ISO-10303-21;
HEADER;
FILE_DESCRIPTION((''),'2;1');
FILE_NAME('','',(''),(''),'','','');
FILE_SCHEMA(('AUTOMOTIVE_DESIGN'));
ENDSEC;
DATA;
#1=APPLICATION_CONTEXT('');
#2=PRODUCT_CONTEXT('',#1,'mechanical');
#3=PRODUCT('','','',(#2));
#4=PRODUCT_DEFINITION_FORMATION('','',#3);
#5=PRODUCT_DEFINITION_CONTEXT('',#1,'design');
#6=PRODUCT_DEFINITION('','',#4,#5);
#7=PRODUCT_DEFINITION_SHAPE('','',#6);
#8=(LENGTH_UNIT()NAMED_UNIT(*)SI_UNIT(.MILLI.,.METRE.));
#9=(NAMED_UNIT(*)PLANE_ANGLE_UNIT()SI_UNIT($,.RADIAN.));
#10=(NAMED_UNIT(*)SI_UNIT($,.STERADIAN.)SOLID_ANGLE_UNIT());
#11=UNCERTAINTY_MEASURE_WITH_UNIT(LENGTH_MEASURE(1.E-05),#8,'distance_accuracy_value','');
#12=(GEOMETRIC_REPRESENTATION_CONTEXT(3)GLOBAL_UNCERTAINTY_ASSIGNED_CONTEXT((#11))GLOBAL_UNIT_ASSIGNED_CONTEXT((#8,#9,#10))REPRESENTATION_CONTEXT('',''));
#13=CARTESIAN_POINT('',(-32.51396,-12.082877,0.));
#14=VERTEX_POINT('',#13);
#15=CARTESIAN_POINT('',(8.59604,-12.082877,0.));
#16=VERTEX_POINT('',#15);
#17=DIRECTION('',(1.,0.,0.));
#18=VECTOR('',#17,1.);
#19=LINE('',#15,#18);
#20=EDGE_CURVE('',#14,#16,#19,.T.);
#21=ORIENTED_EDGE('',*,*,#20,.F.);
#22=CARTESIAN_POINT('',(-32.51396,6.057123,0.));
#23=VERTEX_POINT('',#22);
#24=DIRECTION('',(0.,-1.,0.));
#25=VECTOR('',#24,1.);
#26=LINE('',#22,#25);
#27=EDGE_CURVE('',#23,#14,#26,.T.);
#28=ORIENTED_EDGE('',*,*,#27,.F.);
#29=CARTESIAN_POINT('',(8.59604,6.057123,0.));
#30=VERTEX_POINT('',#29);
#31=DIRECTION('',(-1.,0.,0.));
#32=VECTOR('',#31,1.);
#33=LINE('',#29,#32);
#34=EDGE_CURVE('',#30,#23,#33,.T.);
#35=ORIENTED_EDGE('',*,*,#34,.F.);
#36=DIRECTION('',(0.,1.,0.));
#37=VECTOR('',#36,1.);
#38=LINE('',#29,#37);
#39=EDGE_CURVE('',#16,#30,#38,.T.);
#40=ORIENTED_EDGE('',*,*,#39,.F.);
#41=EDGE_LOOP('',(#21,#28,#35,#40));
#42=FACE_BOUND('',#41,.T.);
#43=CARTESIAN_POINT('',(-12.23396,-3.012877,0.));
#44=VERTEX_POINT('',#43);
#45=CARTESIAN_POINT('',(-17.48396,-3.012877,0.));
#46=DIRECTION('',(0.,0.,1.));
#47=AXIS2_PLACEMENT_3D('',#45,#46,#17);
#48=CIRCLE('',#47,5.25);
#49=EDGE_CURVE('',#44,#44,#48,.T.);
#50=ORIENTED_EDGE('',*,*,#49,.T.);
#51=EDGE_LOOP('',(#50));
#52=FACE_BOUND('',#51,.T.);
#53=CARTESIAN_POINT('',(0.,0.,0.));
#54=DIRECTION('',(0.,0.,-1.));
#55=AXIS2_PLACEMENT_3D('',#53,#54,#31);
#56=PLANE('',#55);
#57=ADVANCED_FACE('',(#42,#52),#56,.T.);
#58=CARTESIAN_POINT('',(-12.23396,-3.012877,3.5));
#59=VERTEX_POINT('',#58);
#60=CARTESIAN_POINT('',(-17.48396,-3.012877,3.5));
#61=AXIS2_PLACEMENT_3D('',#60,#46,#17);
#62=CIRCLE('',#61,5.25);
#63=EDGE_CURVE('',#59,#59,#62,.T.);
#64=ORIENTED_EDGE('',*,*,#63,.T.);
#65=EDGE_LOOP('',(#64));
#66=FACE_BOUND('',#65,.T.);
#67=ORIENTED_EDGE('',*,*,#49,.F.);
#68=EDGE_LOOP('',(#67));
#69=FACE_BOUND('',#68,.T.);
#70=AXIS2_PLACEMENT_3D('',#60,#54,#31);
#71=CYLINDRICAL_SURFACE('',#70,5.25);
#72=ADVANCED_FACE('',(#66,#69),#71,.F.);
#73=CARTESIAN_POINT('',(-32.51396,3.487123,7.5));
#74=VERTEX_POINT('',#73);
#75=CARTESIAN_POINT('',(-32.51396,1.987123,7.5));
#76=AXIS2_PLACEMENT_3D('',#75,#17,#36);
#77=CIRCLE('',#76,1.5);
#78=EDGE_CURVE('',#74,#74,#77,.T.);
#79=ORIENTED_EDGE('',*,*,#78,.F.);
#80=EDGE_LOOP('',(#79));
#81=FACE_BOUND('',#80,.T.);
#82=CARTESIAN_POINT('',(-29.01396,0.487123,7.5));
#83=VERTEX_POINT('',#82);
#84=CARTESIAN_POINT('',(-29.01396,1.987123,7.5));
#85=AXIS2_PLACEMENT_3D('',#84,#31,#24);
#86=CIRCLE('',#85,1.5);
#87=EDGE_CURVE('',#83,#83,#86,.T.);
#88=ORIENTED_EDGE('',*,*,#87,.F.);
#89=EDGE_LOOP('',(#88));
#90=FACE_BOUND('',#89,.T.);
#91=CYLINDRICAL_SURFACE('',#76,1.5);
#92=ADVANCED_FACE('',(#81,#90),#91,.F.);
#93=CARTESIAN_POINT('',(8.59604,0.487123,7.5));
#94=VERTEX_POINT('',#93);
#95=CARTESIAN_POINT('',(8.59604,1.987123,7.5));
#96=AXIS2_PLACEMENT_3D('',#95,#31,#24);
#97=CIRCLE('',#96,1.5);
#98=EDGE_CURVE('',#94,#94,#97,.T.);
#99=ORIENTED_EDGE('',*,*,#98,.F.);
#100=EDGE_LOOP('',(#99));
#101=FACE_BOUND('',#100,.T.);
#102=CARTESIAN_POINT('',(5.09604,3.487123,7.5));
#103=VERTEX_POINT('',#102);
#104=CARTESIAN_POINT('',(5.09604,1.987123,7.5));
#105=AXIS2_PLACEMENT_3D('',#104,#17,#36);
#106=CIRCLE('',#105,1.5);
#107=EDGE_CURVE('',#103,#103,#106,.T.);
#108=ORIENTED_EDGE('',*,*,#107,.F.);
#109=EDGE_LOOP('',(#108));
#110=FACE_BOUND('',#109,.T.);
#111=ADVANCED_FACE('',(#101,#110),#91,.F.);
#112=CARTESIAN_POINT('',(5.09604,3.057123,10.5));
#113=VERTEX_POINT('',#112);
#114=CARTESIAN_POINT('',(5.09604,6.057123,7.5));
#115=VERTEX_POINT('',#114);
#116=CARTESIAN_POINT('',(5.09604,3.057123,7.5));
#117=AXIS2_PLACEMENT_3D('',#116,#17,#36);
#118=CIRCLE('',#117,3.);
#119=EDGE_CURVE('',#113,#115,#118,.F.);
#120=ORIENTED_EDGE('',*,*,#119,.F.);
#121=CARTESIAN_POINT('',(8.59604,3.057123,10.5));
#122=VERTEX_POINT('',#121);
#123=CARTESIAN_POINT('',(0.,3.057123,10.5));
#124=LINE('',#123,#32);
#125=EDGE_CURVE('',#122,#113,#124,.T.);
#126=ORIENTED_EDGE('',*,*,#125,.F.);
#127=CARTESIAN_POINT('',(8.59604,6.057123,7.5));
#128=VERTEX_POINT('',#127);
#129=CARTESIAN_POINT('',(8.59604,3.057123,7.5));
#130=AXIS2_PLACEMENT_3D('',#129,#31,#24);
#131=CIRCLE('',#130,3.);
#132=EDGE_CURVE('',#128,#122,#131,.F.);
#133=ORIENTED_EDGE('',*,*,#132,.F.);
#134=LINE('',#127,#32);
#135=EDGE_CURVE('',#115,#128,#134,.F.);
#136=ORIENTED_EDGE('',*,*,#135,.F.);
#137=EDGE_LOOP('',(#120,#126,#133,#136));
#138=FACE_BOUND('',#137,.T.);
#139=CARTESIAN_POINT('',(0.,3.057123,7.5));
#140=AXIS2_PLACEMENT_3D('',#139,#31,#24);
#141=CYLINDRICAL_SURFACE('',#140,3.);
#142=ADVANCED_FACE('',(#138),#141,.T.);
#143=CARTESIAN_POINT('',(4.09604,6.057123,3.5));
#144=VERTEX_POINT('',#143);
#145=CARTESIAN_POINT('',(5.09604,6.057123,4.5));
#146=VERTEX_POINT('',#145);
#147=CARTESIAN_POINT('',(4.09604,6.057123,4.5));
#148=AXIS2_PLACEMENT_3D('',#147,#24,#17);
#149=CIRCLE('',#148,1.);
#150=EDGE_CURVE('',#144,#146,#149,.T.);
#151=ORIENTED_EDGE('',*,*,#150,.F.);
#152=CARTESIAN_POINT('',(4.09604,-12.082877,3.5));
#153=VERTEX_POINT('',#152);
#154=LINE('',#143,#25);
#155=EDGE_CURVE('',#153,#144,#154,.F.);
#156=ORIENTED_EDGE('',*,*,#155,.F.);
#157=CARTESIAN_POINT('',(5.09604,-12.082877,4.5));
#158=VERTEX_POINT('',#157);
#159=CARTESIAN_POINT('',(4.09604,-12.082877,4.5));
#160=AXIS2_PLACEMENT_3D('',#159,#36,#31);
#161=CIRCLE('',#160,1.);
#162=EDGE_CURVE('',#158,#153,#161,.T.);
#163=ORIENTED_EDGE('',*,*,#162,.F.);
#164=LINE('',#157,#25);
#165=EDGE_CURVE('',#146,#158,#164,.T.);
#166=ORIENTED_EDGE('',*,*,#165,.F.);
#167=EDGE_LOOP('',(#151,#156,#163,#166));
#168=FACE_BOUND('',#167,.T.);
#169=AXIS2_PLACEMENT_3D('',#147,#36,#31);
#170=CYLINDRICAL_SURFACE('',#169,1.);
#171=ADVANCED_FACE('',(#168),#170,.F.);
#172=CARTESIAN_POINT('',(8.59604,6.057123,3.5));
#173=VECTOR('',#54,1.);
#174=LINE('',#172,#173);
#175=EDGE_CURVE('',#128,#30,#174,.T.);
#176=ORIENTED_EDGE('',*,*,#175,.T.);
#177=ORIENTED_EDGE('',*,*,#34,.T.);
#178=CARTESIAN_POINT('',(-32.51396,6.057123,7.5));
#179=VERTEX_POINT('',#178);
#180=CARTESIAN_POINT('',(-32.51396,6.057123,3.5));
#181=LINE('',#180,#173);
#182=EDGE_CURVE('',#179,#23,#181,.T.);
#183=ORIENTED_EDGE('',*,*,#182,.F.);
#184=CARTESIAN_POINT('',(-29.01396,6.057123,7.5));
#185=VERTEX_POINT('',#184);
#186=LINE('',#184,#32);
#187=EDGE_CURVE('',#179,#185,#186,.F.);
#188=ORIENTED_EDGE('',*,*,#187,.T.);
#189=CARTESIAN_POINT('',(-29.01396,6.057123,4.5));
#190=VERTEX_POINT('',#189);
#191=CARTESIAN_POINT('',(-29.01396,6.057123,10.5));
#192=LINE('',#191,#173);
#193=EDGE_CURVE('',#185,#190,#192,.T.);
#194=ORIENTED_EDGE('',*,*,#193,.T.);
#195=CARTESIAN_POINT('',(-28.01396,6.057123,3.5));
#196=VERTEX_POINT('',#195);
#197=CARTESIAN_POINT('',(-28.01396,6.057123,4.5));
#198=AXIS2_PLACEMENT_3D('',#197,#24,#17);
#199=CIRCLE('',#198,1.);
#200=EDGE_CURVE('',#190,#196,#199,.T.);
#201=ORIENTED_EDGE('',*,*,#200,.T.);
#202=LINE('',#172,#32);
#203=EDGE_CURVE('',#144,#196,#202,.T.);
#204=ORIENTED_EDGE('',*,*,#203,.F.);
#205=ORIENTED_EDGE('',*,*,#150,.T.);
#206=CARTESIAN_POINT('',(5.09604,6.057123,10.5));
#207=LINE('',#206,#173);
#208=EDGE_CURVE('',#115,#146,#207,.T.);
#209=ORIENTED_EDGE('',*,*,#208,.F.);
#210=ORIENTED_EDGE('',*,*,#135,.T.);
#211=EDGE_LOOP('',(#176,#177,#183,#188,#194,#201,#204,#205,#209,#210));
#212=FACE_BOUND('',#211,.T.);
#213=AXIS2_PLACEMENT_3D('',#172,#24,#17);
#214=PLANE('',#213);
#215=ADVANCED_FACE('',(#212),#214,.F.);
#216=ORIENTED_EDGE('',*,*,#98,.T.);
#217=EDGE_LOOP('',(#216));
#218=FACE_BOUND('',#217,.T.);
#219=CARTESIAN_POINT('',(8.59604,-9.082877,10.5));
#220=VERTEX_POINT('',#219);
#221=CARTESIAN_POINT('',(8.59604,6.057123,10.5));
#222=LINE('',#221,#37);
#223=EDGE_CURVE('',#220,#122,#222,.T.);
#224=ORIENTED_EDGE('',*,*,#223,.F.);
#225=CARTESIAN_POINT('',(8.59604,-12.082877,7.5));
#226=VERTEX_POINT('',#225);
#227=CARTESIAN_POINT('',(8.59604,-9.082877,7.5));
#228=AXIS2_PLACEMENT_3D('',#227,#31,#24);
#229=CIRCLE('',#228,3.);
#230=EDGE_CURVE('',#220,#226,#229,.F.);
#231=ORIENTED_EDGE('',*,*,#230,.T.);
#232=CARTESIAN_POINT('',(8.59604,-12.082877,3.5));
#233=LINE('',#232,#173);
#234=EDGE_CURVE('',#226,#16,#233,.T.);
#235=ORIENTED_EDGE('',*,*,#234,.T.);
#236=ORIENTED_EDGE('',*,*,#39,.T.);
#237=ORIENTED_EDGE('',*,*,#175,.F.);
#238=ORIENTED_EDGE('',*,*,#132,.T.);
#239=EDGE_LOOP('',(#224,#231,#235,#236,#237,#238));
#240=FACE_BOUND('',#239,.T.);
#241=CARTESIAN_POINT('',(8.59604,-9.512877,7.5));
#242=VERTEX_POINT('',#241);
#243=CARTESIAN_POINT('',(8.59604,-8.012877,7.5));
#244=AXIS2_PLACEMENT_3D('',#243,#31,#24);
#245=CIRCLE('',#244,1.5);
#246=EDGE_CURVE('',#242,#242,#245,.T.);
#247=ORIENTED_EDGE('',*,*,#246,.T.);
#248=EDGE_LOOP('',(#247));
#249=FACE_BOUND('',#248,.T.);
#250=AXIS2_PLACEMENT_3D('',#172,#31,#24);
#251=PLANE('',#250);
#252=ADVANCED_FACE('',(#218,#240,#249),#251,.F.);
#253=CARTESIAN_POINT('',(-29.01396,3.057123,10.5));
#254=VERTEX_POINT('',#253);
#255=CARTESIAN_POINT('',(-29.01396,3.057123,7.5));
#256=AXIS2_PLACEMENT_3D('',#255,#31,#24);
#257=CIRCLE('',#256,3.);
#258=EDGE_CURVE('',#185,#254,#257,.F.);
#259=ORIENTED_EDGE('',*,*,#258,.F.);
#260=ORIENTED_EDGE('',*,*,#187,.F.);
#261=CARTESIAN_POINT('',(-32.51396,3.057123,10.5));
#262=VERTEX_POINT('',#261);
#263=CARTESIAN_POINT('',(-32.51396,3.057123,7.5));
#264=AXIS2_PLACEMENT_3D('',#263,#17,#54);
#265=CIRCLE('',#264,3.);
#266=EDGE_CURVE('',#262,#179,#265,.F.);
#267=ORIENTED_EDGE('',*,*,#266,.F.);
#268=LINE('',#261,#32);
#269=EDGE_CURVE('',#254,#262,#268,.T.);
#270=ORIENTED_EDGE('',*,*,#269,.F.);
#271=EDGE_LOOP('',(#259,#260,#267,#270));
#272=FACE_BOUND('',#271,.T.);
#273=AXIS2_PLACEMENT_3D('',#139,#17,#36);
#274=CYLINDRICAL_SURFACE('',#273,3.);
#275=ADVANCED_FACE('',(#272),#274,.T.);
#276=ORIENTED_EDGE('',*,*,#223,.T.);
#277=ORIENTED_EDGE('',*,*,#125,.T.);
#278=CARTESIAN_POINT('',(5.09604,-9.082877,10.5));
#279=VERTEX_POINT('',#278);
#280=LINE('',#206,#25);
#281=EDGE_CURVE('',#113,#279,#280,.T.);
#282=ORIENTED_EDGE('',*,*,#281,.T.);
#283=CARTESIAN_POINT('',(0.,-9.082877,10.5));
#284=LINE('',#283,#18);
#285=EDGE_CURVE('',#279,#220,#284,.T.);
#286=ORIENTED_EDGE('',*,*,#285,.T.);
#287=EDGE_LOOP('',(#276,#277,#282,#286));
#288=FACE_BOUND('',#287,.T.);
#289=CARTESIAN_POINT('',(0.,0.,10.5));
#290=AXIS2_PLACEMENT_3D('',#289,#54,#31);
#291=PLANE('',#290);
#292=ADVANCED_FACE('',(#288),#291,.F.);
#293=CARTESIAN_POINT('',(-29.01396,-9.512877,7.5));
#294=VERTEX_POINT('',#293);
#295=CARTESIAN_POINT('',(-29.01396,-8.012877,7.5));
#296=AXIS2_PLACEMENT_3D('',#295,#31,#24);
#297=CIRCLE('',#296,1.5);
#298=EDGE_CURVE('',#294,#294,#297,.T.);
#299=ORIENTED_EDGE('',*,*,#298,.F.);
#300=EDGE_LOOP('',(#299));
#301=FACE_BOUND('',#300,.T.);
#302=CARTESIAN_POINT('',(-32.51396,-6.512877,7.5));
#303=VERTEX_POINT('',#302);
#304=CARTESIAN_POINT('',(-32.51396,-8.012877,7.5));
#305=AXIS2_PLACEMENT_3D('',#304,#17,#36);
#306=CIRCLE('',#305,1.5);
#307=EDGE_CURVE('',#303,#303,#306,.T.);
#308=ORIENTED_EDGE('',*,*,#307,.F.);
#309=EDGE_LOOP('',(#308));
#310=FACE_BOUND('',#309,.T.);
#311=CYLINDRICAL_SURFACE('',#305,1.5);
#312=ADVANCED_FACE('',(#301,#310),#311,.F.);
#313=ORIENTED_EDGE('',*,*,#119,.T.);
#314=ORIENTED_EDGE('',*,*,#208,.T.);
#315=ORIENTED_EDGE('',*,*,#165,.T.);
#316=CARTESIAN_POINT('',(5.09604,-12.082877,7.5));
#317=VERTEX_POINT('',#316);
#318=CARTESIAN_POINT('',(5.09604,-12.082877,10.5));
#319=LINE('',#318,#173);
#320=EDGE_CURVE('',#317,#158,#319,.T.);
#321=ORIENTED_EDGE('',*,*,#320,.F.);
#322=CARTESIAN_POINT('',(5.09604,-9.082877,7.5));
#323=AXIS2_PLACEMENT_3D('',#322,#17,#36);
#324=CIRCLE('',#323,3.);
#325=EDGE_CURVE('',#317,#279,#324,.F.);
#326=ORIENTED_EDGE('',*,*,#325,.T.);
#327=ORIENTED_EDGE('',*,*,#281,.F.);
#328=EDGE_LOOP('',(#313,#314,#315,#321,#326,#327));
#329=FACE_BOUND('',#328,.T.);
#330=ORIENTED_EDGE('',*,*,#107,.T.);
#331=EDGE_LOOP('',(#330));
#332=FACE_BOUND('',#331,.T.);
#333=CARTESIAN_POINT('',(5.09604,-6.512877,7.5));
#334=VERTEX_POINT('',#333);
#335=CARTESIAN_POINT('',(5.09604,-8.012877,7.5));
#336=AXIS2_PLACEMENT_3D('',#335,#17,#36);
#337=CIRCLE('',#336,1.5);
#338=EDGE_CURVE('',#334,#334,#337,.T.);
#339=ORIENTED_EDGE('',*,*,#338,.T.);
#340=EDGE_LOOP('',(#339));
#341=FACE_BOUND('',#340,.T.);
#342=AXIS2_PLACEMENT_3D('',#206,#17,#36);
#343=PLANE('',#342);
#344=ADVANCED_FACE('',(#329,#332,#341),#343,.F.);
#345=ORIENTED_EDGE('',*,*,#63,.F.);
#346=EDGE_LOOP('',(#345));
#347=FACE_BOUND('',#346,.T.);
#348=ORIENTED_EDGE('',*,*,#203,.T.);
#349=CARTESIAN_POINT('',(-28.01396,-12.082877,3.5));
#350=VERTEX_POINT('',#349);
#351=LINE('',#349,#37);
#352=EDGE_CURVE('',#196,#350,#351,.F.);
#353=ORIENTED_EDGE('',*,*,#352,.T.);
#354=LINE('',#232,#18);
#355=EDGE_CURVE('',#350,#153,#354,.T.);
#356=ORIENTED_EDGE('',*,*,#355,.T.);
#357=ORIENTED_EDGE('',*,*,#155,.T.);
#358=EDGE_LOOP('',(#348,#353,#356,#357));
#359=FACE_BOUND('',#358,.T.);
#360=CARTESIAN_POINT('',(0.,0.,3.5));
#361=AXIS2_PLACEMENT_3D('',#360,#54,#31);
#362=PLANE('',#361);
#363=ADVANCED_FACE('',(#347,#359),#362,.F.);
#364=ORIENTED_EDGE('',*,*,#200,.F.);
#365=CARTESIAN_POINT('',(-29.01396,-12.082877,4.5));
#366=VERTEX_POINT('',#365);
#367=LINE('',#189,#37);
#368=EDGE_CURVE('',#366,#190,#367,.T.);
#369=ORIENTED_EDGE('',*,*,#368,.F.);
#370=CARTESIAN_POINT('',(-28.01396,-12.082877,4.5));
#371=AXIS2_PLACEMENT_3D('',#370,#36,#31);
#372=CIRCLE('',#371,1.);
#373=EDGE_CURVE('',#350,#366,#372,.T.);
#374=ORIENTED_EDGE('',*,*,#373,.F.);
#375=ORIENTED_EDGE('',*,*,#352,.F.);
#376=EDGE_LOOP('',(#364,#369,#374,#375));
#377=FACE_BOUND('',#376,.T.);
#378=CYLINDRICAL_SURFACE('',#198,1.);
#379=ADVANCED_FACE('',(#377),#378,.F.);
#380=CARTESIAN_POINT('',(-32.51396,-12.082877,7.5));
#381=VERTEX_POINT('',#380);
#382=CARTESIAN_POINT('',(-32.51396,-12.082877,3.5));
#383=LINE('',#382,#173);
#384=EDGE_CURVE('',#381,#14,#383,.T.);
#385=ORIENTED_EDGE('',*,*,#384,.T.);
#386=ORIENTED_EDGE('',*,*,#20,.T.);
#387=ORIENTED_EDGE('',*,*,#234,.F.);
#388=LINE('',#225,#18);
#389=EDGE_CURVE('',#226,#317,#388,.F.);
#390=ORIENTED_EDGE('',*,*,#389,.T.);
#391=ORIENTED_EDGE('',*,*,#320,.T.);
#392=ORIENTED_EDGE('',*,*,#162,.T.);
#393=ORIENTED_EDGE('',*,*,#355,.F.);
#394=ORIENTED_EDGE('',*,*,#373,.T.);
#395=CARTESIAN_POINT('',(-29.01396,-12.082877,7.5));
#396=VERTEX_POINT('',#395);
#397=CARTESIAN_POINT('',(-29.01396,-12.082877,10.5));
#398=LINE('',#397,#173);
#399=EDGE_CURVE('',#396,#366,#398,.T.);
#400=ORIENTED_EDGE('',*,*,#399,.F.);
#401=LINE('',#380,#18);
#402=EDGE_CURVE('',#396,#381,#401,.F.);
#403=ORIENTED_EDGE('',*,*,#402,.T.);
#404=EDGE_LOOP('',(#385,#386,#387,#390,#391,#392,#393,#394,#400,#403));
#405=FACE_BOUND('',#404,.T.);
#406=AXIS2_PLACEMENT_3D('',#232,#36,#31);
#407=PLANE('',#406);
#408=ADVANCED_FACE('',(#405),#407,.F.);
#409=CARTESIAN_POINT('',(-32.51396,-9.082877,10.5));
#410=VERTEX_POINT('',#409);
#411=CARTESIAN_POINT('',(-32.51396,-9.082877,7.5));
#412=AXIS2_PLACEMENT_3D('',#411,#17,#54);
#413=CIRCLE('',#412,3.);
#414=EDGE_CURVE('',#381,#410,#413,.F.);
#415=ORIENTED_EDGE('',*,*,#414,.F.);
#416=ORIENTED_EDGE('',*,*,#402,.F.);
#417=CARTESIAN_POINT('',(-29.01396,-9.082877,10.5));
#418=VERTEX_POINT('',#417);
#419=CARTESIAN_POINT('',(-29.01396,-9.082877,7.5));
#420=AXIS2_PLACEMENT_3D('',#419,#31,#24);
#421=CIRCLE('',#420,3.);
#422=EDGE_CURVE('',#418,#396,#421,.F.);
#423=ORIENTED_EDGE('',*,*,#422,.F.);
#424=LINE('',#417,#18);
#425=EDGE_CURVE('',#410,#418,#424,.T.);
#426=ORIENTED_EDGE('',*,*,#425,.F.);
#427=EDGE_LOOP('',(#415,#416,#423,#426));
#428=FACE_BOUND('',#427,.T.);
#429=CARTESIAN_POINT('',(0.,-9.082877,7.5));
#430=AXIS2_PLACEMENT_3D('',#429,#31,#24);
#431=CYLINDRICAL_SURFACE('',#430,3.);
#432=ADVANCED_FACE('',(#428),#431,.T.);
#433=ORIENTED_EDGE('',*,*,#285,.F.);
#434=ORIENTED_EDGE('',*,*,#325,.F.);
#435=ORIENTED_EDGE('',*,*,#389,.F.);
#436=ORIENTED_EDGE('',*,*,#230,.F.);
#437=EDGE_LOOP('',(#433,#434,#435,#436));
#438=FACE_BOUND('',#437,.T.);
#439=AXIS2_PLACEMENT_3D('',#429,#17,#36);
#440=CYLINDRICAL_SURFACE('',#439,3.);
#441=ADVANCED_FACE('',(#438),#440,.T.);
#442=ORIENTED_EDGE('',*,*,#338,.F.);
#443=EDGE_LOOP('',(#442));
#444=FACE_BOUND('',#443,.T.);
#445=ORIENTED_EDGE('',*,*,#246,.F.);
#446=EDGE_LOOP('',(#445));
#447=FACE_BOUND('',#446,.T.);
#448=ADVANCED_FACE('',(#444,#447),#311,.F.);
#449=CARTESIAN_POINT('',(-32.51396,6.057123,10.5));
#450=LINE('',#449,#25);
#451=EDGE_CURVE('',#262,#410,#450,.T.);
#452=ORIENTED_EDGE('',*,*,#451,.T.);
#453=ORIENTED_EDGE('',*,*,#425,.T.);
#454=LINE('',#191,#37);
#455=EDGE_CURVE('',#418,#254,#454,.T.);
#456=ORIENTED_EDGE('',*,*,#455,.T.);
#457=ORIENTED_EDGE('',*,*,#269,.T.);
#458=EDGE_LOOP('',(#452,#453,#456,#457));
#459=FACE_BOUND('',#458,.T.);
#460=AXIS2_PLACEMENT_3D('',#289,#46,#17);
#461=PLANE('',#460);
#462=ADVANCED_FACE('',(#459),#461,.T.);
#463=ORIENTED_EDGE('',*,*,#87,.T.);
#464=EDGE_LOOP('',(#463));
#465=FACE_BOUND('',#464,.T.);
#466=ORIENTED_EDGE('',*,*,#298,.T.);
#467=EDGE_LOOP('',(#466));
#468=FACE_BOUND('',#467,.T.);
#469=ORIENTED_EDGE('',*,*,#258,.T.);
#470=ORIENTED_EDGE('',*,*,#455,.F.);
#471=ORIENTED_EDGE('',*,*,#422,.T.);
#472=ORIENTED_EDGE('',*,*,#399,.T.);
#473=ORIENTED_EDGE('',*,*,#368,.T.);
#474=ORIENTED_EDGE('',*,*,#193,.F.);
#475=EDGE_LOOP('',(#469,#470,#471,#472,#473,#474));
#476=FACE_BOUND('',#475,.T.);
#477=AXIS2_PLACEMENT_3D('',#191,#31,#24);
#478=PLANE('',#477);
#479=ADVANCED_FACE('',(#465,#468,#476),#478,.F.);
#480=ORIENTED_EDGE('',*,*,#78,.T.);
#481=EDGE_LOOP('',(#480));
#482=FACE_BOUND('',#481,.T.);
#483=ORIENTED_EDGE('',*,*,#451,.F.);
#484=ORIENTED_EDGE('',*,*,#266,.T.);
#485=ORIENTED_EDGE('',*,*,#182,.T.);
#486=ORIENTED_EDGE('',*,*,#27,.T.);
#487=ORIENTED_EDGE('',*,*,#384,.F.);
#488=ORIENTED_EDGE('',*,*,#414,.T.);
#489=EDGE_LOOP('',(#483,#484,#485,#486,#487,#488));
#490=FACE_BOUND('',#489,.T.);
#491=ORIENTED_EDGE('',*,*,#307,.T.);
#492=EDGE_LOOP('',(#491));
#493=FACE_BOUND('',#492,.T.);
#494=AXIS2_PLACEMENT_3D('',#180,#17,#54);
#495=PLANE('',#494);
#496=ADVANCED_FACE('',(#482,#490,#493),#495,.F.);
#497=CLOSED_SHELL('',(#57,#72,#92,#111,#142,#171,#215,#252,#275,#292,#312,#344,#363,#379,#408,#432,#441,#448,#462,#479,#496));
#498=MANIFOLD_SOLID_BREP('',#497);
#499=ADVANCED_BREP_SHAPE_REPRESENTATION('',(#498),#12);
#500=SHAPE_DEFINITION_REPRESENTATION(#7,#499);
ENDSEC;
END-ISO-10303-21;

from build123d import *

# Parameters (mm, degrees)
SKETCH_1_W               = 41.11
SKETCH_1_H               = 18.14
SKETCH_1_R               = 5.25
EXTRUDE_1_DEPTH          = 3.5
SKETCH_3_W               = 3.5
SKETCH_3_H               = 18.14
EXTRUDE_2_DEPTH          = 7
CUT_EXTRUDE_1_DEPTH      = 45.116640965
CUT_EXTRUDE_1_DEPTH_BACK = 45.116640965
SKETCH_4_R               = 1.5
FILLET_1_R               = 1
FILLET_2_R               = 3


with BuildPart() as part:
    # 草图1 → 凸台-拉伸1 (new body)
    with BuildSketch(Plane.XY):
        with Locations((-11.958959751, -3.012876727)):
            Rectangle(SKETCH_1_W, SKETCH_1_H)
        with Locations((-17.483959751, -3.012876727)):
            Circle(SKETCH_1_R, mode=Mode.SUBTRACT)
    extrude(amount=EXTRUDE_1_DEPTH)

    # 草图3 → 凸台-拉伸2 (add)
    with BuildSketch(Plane.XY.offset(3.5)):
        with Locations((-30.763959751, -3.012876727)):
            Rectangle(SKETCH_3_W, SKETCH_3_H)
        with Locations((6.846040249, -3.012876727)):
            Rectangle(SKETCH_3_W, SKETCH_3_H)
    extrude(amount=EXTRUDE_2_DEPTH)

    # 草图4 → 切除-拉伸1 (cut, two sides: drawn at the far end of the back side and taken through both)
    with BuildSketch(Plane(origin=(8.596040249, 0, 0), x_dir=(0, 0, -1), z_dir=(1, 0, 0)).offset(-CUT_EXTRUDE_1_DEPTH_BACK)):
        with Locations(Location((-7.5, 1.987123273, 0), (0, 0, 90))):
            Circle(SKETCH_4_R)
        with Locations(Location((-7.5, -8.012876727, 0), (0, 0, 90))):
            Circle(SKETCH_4_R)
    extrude(amount=CUT_EXTRUDE_1_DEPTH + CUT_EXTRUDE_1_DEPTH_BACK, mode=Mode.SUBTRACT)

    # 圆角1
    fillet_1_edges = [part.edges().sort_by_distance(p)[0] for p in [
        (-29.013959751, -3.012876727, 3.5),
        (5.096040249, -3.012876727, 3.5),
    ]]
    fillet(fillet_1_edges, radius=FILLET_1_R)

    # 圆角2
    fillet_2_edges = [part.edges().sort_by_distance(p)[0] for p in [
        (-30.763959751, -12.082876727, 10.5),
        (-30.763959751, 6.057123273, 10.5),
        (6.846040249, 6.057123273, 10.5),
        (6.846040249, -12.082876727, 10.5),
    ]]
    fillet(fillet_2_edges, radius=FILLET_2_R)


solid = part.part
